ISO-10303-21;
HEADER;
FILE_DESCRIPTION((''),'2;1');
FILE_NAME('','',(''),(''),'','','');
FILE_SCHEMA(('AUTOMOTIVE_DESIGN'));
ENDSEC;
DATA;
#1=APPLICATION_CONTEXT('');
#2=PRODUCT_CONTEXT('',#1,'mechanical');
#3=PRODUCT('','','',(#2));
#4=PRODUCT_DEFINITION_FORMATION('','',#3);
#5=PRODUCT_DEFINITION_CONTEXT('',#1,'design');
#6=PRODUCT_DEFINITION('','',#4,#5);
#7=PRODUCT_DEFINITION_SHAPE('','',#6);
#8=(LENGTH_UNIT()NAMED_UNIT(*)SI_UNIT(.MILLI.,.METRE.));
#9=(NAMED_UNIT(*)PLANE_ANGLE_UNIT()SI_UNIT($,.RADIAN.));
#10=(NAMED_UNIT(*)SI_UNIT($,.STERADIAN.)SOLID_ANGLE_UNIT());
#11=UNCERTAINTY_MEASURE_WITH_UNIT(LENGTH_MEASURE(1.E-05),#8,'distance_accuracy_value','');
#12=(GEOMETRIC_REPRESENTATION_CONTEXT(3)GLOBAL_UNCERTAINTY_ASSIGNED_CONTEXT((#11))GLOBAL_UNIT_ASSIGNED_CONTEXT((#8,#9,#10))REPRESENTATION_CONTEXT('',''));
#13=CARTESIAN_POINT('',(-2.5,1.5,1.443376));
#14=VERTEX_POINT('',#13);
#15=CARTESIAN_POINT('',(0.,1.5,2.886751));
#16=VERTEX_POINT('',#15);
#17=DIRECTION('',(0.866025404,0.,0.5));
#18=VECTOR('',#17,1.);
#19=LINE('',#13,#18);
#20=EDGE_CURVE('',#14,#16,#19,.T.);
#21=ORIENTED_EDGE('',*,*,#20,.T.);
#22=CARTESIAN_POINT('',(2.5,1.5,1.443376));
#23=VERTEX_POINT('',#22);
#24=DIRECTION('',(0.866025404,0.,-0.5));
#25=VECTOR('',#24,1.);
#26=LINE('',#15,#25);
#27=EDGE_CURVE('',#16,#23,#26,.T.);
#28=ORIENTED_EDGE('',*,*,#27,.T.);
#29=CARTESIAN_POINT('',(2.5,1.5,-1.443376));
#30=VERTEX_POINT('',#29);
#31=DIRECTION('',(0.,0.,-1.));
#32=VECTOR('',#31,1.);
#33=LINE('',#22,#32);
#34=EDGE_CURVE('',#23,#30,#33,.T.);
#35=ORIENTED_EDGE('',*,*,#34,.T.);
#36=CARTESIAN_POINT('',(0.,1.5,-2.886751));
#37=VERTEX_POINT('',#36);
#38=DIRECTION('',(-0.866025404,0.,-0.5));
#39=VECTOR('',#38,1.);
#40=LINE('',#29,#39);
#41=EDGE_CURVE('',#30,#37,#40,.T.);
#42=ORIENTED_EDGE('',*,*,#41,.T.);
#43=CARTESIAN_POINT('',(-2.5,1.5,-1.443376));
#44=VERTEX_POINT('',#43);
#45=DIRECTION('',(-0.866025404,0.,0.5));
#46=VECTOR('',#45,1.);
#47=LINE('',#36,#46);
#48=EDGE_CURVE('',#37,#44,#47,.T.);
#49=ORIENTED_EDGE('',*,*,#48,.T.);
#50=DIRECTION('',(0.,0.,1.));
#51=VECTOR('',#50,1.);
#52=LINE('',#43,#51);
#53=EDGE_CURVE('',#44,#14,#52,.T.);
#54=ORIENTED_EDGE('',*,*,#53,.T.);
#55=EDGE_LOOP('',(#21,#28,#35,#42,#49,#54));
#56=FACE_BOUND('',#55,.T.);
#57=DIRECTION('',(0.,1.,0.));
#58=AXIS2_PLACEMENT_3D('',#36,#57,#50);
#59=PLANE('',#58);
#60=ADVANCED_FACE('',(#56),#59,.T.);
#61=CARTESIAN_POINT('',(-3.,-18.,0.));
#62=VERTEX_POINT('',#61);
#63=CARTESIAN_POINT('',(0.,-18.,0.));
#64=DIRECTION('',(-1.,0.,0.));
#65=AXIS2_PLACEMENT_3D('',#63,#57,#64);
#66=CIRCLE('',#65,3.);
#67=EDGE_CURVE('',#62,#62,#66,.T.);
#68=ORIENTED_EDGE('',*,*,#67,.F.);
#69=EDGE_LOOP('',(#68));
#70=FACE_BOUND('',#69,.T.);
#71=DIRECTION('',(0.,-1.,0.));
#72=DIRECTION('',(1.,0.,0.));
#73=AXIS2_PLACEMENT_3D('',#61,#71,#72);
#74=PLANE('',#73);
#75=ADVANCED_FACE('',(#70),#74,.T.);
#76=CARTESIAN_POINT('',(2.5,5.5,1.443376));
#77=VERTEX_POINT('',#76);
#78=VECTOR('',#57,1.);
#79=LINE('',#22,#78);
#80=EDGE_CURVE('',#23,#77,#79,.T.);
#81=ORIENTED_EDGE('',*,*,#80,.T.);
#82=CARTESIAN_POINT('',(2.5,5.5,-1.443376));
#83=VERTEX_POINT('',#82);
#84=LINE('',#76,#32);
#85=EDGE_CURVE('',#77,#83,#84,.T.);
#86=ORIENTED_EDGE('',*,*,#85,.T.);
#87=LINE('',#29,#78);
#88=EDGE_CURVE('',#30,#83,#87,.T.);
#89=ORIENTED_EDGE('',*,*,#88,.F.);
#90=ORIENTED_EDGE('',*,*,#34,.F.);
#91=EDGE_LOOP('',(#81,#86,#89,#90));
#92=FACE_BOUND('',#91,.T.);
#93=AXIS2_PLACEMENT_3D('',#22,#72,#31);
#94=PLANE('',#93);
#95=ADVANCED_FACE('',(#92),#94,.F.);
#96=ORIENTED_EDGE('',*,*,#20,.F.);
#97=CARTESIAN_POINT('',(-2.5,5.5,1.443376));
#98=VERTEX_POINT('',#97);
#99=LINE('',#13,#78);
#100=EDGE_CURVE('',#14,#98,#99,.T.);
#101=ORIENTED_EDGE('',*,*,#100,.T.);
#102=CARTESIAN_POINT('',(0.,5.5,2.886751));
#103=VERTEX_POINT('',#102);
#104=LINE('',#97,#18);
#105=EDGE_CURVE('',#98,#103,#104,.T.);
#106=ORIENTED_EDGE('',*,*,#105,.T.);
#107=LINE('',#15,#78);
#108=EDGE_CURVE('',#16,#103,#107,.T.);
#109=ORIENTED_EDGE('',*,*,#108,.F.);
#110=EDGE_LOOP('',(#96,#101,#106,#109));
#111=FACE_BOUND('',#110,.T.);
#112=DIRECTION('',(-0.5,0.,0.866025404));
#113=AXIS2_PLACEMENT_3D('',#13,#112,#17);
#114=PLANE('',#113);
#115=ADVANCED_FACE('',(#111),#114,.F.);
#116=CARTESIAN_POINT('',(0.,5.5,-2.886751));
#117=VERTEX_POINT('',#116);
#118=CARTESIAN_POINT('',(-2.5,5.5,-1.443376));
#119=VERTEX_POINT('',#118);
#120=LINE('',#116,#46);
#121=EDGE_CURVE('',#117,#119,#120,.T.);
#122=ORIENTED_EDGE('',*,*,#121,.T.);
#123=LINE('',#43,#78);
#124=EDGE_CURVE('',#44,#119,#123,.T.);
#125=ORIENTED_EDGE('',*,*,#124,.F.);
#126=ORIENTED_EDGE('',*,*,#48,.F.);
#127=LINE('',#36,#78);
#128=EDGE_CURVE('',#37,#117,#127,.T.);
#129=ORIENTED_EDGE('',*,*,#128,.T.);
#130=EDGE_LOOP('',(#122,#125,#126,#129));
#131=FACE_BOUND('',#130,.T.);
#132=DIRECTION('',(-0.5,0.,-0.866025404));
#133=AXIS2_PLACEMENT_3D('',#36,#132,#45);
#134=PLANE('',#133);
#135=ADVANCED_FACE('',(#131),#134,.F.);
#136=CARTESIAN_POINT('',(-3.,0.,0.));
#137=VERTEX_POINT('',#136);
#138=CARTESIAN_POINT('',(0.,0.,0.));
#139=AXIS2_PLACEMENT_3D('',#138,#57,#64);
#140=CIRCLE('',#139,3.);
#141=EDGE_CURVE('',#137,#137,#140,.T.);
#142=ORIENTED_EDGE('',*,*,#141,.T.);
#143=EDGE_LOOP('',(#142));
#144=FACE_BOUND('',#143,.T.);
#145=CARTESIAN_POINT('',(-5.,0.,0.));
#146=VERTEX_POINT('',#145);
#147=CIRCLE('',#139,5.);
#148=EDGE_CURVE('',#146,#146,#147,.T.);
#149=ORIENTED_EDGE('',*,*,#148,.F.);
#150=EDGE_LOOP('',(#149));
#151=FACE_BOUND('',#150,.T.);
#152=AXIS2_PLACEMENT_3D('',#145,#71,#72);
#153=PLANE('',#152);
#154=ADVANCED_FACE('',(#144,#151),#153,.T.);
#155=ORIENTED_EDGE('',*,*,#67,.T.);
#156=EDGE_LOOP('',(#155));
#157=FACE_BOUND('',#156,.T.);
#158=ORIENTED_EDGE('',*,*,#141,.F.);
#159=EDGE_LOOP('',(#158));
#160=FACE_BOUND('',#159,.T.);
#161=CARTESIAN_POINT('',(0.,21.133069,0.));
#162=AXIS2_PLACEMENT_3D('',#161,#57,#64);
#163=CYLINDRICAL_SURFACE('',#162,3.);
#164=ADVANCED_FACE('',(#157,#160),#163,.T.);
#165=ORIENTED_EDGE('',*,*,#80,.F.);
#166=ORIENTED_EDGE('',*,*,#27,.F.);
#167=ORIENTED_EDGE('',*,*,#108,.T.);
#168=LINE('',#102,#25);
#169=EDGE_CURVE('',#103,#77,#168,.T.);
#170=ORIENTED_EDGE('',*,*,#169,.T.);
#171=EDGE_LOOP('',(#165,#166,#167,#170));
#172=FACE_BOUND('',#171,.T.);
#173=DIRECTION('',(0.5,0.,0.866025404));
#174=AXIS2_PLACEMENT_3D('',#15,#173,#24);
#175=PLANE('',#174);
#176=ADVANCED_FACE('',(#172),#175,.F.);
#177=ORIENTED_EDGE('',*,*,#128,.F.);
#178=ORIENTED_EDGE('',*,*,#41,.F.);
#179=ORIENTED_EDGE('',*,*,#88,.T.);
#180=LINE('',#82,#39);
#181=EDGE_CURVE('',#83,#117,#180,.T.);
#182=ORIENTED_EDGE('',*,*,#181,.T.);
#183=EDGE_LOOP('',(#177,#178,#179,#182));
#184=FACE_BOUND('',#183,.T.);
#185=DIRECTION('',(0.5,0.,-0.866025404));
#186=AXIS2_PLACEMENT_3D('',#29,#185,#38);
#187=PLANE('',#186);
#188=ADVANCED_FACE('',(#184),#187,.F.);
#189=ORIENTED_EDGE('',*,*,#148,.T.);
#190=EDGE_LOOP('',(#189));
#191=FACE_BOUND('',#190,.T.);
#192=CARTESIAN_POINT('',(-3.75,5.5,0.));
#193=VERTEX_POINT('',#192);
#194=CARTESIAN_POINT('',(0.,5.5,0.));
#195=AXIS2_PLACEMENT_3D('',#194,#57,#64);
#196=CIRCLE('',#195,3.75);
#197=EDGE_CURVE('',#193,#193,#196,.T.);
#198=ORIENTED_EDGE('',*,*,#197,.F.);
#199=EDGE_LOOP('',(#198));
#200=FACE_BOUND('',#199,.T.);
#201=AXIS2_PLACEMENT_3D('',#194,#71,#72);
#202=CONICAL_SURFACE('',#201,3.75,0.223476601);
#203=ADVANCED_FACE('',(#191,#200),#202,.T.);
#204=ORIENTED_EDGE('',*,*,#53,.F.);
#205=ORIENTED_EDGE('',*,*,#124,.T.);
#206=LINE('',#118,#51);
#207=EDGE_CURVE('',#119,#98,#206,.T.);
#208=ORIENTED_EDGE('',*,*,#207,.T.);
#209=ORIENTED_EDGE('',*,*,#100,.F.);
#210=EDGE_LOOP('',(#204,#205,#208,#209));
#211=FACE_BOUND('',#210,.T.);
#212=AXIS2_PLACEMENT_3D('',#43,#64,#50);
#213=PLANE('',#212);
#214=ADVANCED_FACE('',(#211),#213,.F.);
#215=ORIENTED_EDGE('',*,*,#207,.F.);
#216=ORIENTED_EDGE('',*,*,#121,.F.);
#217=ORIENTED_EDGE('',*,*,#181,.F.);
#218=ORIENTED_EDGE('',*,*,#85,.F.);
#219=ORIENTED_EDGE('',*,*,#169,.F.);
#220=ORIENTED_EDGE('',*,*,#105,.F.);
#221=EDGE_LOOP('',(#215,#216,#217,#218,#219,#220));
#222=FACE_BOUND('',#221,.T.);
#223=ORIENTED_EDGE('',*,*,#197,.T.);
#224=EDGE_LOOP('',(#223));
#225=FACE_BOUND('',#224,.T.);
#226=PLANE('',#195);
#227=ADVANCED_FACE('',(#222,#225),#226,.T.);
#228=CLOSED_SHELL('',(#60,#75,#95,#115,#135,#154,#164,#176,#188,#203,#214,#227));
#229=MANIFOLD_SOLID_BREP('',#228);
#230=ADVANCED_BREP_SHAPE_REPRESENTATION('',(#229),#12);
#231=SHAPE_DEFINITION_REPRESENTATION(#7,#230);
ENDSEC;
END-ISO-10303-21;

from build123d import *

# Parameters (mm, degrees)
ENL_V_MAT_EXTRU_1_DEPTH = 4


with BuildPart() as part:
    # Esquisse1 → Révolution1 (revolve)
    with BuildSketch(Plane.XY):
        Polygon((0, -18), (0, 5.5), (-3.75, 5.5), (-5, 0), (-3, 0), (-3, -18), align=None)
    revolve(axis=Axis((0, 21.133068783, 0), (0, -1, 0)))

    # Esquisse2 → Enlèv. mat.-Extru.1 (cut)
    with BuildSketch(Plane(origin=(0, 5.5, 0), x_dir=(-1, 0, 0), z_dir=(0, 1, 0))):
        Polygon((0, -2.886751346), (2.5, -1.443375673), (2.5, 1.443375673), (0, 2.886751346), (-2.5, 1.443375673), (-2.5, -1.443375673), align=None)
    extrude(amount=-ENL_V_MAT_EXTRU_1_DEPTH, mode=Mode.SUBTRACT)


solid = part.part
